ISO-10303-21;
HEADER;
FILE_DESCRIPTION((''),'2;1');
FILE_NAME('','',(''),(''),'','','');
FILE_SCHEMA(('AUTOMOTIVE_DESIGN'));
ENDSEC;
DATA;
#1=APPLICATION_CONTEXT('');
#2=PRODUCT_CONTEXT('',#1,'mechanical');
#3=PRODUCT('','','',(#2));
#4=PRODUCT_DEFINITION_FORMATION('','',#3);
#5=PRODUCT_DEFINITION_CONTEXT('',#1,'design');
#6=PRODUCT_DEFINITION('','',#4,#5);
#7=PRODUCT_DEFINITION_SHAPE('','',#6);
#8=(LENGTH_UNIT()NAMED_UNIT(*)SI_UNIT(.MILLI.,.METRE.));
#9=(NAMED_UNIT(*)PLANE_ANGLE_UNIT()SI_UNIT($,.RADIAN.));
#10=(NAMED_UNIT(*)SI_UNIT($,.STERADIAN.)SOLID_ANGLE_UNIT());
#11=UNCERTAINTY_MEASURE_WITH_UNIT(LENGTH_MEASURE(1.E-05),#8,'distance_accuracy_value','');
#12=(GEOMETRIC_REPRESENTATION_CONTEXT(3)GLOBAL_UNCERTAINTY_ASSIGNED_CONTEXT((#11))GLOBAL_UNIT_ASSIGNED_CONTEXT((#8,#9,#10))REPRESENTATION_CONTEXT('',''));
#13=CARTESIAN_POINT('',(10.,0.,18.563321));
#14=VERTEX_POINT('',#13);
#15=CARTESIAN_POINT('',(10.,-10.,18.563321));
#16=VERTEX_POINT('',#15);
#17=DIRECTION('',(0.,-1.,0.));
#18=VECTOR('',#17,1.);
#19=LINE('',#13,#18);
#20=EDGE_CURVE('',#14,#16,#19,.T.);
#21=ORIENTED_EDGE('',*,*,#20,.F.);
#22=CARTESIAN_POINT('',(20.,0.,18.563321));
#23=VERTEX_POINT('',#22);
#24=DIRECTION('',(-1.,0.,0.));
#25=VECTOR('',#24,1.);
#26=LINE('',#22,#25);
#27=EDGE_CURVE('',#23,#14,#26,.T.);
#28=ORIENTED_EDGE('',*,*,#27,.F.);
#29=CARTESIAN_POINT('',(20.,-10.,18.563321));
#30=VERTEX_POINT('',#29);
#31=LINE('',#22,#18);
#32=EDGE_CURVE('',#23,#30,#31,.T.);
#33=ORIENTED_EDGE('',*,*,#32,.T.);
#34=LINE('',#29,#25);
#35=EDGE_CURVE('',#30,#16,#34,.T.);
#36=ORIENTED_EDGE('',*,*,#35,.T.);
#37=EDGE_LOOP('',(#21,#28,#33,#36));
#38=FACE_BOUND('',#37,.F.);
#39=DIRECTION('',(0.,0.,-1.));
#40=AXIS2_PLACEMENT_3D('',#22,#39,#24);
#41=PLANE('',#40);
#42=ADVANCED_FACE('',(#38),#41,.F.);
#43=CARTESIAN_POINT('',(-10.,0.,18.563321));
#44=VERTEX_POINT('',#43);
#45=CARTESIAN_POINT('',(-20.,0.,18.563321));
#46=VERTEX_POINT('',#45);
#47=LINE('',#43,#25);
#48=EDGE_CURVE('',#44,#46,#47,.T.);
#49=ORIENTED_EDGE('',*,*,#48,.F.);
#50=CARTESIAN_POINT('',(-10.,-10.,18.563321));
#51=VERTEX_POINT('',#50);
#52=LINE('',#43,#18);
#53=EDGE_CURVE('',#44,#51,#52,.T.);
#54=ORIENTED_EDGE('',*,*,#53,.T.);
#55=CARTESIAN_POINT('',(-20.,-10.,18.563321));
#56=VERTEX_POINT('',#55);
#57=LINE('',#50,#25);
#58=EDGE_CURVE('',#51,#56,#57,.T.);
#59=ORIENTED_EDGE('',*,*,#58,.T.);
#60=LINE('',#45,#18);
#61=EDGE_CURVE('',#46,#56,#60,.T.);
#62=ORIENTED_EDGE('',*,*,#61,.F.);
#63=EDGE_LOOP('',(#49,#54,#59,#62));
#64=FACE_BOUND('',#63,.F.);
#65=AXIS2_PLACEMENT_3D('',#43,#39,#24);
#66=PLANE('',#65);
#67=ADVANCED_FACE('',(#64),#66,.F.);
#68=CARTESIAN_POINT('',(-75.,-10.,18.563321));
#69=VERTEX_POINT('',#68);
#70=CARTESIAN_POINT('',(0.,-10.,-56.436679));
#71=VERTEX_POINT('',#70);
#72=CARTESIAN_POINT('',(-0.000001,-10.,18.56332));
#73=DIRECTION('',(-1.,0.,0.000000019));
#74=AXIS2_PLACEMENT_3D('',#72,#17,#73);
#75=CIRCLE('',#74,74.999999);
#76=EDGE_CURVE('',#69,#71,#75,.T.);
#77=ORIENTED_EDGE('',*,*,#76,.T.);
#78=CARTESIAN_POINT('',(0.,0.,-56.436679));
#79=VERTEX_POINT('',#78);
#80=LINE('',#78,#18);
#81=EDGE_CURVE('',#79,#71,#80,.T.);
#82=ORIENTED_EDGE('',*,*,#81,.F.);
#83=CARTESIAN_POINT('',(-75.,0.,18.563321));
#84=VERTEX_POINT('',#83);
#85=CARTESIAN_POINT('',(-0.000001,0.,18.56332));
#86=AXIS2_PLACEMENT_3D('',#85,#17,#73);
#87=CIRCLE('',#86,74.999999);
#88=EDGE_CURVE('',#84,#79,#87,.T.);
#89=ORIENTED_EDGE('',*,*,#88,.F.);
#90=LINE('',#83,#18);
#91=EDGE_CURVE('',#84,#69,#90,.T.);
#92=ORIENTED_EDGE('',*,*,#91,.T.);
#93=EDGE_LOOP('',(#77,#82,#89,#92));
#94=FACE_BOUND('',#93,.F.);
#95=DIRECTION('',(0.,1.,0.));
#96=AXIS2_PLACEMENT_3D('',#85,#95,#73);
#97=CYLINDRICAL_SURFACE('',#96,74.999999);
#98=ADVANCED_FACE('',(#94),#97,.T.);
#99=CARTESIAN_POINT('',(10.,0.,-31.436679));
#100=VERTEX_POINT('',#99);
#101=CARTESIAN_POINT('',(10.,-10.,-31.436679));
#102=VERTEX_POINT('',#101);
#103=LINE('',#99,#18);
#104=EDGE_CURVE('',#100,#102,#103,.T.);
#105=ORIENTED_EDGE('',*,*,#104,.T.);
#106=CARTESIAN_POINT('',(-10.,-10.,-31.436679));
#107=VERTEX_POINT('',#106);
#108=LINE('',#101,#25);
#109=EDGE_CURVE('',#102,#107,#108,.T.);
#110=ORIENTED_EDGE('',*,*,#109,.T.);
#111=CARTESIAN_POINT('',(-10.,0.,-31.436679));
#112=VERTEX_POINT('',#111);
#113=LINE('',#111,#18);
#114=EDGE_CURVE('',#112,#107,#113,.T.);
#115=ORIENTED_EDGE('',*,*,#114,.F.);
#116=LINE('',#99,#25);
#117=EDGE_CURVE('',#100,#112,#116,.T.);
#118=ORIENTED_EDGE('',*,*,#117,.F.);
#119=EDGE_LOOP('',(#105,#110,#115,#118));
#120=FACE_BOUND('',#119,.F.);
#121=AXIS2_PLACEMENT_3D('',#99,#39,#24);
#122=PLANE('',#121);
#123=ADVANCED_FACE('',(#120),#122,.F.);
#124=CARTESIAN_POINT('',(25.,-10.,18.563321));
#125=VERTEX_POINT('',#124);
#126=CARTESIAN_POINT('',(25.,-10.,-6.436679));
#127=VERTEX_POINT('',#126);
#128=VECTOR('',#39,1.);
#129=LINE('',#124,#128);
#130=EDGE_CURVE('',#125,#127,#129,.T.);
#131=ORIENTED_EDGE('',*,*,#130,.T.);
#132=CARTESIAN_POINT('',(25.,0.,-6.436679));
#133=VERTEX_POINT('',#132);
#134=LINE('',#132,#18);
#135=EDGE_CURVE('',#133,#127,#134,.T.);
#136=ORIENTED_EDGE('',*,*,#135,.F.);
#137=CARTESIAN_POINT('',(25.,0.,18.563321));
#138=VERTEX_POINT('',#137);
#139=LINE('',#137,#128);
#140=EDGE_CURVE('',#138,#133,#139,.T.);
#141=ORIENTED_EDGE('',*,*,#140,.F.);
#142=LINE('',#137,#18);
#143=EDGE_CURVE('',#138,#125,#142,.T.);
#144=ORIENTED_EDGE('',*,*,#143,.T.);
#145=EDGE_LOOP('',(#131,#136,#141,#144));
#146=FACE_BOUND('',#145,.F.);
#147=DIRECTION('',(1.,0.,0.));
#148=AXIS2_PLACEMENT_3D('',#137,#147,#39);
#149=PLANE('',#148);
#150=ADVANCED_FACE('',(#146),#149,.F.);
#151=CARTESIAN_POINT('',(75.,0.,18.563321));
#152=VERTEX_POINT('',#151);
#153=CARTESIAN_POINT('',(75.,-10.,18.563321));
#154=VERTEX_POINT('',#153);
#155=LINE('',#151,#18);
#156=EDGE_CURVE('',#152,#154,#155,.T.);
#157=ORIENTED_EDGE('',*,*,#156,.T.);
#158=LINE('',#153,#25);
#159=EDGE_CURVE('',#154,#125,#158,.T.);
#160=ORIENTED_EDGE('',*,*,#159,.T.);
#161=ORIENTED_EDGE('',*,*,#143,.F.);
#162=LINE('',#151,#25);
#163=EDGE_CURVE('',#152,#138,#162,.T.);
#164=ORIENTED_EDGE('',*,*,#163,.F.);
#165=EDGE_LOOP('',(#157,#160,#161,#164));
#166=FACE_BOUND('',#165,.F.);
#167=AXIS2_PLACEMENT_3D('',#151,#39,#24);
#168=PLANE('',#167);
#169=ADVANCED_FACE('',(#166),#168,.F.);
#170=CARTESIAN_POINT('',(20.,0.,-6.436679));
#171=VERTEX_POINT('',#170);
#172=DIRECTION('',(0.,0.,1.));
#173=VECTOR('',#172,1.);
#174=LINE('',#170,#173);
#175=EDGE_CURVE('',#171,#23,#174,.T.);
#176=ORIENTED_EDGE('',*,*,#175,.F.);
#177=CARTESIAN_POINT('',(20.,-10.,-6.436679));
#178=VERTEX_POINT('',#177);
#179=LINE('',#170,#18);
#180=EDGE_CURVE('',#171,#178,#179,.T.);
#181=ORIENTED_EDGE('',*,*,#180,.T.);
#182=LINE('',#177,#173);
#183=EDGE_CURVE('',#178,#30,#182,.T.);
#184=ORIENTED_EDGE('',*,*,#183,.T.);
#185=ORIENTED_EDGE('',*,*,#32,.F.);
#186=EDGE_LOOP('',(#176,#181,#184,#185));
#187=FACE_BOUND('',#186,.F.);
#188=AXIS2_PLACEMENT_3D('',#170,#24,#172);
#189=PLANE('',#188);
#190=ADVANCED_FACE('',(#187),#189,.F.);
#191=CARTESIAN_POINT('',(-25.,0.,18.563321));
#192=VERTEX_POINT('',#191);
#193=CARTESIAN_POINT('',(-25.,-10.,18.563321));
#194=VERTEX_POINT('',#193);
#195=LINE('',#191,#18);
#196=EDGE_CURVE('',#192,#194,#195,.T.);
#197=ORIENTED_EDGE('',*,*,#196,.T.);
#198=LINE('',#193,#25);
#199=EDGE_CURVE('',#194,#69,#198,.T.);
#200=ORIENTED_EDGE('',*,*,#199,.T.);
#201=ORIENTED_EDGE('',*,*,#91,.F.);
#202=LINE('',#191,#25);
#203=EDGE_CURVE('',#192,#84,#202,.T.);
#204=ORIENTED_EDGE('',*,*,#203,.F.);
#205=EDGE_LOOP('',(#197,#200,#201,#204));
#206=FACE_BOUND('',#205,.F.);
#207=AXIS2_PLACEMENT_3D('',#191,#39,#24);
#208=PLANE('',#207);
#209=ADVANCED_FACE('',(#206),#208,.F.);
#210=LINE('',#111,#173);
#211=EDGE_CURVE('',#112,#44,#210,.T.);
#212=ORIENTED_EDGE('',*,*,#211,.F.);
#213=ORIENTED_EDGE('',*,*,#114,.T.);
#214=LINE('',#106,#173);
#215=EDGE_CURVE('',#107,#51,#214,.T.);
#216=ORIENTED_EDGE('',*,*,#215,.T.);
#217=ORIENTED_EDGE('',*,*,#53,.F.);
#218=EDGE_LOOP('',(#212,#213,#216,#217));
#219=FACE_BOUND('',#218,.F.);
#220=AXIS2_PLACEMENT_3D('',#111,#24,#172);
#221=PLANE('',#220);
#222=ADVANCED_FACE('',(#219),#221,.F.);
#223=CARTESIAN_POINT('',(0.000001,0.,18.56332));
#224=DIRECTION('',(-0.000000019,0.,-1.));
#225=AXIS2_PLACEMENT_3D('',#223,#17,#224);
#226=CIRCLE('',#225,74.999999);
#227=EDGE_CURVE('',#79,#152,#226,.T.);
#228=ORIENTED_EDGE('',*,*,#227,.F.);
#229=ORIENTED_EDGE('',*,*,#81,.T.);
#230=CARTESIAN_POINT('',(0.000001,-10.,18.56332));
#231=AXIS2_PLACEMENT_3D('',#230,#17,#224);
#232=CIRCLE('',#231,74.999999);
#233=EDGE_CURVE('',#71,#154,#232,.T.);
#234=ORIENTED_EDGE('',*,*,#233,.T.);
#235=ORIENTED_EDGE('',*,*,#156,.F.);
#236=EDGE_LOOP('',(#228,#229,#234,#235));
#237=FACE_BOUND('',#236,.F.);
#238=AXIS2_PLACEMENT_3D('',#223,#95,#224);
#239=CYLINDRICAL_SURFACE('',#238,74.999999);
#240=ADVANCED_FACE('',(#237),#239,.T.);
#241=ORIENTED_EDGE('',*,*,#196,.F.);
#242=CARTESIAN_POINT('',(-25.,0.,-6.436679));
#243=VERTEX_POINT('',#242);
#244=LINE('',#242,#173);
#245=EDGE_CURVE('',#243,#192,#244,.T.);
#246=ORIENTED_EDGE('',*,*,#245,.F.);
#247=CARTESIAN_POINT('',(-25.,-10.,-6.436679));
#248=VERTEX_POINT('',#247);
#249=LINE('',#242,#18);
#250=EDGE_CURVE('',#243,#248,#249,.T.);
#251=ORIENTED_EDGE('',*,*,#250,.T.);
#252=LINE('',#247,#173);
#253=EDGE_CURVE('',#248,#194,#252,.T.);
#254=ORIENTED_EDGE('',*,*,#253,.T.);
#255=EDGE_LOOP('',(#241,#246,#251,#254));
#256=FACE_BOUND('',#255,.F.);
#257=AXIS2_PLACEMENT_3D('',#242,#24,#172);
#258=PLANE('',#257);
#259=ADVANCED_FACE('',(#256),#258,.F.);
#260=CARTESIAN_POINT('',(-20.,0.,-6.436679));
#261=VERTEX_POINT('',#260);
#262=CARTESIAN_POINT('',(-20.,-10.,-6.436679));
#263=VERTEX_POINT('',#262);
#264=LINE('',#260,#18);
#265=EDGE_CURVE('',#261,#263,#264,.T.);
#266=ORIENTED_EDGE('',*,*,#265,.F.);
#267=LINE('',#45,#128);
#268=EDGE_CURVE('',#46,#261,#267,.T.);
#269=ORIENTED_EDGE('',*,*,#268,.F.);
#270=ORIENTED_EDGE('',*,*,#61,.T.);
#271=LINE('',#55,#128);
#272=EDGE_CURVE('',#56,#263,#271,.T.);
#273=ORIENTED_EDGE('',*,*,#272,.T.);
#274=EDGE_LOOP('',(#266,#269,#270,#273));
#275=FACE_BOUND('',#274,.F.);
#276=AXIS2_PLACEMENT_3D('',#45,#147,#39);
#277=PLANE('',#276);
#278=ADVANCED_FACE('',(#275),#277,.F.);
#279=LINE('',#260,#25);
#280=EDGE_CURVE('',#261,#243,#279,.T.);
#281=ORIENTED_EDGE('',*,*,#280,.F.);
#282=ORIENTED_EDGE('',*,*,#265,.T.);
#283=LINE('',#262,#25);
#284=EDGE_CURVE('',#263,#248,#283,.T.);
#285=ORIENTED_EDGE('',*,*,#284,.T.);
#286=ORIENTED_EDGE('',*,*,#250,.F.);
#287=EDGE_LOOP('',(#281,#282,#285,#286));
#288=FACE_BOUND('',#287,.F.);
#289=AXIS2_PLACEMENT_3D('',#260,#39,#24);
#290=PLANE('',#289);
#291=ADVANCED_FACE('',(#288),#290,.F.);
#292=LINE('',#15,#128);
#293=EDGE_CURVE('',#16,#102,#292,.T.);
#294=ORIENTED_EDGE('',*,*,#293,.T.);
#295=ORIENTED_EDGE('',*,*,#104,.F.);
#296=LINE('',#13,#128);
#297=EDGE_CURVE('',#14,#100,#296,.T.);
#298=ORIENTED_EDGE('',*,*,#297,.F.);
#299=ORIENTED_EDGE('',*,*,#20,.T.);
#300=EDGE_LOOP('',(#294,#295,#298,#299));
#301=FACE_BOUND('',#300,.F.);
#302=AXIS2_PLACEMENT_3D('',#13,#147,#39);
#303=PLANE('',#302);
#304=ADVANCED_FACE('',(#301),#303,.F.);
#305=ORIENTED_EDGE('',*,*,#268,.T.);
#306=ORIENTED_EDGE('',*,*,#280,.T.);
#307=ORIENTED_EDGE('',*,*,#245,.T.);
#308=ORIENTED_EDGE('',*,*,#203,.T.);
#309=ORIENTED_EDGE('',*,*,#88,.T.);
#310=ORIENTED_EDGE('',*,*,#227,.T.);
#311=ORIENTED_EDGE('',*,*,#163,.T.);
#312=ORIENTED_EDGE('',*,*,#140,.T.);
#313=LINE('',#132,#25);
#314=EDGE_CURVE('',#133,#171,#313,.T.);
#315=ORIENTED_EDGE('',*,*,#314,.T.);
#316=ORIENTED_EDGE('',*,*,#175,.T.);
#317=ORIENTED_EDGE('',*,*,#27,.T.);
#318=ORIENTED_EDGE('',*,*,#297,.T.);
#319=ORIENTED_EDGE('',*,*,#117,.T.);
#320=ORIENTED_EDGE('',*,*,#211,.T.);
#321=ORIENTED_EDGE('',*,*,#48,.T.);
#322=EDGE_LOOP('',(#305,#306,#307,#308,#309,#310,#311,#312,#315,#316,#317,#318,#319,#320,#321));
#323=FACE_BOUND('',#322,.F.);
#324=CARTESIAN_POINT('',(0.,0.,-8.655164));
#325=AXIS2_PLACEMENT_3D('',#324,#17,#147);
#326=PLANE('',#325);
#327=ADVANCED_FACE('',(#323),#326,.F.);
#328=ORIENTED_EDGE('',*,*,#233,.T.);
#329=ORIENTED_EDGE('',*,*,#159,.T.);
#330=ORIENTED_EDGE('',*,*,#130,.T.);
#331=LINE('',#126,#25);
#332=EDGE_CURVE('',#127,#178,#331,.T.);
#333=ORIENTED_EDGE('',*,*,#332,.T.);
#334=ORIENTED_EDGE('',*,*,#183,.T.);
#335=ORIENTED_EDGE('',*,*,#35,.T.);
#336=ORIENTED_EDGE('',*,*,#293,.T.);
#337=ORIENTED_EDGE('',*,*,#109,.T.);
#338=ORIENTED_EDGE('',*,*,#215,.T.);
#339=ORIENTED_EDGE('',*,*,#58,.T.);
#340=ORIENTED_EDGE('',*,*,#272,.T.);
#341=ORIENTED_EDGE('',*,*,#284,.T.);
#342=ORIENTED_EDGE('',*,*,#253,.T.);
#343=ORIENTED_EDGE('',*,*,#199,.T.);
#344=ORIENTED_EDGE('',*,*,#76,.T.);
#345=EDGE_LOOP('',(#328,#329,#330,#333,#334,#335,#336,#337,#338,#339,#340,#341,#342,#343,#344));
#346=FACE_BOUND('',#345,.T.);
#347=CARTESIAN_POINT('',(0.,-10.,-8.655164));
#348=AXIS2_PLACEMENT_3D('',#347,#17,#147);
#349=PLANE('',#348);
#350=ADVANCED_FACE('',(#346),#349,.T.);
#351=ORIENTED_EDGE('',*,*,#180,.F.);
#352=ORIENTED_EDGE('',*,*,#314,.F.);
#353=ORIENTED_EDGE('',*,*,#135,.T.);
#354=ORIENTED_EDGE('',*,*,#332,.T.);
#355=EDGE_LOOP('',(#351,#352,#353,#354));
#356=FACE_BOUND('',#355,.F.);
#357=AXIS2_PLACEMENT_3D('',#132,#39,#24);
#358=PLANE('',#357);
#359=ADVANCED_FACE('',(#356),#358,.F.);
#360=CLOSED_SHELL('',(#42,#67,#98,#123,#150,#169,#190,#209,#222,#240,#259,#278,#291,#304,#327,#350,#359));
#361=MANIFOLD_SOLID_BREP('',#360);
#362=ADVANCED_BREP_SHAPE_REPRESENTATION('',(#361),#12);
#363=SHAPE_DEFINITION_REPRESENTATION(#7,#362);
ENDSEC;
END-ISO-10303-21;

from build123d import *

# Parameters (mm, degrees)
F1_DEPTH = 10


with BuildPart() as f1:
    # F0 (on Front) → F1 (new body)
    with BuildSketch(Plane.XZ):
        with BuildLine():
            Line((-10, 18.563321), (-20, 18.563321))
            Line((-20, 18.563321), (-20, -6.436679))
            Line((-20, -6.436679), (-25, -6.436679))
            Line((-25, -6.436679), (-25, 18.563321))
            Line((-25, 18.563321), (-75, 18.563321))
            ThreePointArc((-75, 18.563321), (-53.033009, -34.469688), (0, -56.436679))
            ThreePointArc((0, -56.436679), (53.033009, -34.469688), (75, 18.563321))
            Line((75, 18.563321), (25, 18.563321))
            Line((25, 18.563321), (25, -6.436679))
            Line((25, -6.436679), (20, -6.436679))
            Line((20, -6.436679), (20, 18.563321))
            Line((20, 18.563321), (10, 18.563321))
            Line((10, 18.563321), (10, -31.436679))
            Line((10, -31.436679), (0, -31.436679))
            Line((0, -31.436679), (-10, -31.436679))
            Line((-10, -31.436679), (-10, 18.563321))
        make_face()
    extrude(amount=F1_DEPTH)


solid = f1.part
